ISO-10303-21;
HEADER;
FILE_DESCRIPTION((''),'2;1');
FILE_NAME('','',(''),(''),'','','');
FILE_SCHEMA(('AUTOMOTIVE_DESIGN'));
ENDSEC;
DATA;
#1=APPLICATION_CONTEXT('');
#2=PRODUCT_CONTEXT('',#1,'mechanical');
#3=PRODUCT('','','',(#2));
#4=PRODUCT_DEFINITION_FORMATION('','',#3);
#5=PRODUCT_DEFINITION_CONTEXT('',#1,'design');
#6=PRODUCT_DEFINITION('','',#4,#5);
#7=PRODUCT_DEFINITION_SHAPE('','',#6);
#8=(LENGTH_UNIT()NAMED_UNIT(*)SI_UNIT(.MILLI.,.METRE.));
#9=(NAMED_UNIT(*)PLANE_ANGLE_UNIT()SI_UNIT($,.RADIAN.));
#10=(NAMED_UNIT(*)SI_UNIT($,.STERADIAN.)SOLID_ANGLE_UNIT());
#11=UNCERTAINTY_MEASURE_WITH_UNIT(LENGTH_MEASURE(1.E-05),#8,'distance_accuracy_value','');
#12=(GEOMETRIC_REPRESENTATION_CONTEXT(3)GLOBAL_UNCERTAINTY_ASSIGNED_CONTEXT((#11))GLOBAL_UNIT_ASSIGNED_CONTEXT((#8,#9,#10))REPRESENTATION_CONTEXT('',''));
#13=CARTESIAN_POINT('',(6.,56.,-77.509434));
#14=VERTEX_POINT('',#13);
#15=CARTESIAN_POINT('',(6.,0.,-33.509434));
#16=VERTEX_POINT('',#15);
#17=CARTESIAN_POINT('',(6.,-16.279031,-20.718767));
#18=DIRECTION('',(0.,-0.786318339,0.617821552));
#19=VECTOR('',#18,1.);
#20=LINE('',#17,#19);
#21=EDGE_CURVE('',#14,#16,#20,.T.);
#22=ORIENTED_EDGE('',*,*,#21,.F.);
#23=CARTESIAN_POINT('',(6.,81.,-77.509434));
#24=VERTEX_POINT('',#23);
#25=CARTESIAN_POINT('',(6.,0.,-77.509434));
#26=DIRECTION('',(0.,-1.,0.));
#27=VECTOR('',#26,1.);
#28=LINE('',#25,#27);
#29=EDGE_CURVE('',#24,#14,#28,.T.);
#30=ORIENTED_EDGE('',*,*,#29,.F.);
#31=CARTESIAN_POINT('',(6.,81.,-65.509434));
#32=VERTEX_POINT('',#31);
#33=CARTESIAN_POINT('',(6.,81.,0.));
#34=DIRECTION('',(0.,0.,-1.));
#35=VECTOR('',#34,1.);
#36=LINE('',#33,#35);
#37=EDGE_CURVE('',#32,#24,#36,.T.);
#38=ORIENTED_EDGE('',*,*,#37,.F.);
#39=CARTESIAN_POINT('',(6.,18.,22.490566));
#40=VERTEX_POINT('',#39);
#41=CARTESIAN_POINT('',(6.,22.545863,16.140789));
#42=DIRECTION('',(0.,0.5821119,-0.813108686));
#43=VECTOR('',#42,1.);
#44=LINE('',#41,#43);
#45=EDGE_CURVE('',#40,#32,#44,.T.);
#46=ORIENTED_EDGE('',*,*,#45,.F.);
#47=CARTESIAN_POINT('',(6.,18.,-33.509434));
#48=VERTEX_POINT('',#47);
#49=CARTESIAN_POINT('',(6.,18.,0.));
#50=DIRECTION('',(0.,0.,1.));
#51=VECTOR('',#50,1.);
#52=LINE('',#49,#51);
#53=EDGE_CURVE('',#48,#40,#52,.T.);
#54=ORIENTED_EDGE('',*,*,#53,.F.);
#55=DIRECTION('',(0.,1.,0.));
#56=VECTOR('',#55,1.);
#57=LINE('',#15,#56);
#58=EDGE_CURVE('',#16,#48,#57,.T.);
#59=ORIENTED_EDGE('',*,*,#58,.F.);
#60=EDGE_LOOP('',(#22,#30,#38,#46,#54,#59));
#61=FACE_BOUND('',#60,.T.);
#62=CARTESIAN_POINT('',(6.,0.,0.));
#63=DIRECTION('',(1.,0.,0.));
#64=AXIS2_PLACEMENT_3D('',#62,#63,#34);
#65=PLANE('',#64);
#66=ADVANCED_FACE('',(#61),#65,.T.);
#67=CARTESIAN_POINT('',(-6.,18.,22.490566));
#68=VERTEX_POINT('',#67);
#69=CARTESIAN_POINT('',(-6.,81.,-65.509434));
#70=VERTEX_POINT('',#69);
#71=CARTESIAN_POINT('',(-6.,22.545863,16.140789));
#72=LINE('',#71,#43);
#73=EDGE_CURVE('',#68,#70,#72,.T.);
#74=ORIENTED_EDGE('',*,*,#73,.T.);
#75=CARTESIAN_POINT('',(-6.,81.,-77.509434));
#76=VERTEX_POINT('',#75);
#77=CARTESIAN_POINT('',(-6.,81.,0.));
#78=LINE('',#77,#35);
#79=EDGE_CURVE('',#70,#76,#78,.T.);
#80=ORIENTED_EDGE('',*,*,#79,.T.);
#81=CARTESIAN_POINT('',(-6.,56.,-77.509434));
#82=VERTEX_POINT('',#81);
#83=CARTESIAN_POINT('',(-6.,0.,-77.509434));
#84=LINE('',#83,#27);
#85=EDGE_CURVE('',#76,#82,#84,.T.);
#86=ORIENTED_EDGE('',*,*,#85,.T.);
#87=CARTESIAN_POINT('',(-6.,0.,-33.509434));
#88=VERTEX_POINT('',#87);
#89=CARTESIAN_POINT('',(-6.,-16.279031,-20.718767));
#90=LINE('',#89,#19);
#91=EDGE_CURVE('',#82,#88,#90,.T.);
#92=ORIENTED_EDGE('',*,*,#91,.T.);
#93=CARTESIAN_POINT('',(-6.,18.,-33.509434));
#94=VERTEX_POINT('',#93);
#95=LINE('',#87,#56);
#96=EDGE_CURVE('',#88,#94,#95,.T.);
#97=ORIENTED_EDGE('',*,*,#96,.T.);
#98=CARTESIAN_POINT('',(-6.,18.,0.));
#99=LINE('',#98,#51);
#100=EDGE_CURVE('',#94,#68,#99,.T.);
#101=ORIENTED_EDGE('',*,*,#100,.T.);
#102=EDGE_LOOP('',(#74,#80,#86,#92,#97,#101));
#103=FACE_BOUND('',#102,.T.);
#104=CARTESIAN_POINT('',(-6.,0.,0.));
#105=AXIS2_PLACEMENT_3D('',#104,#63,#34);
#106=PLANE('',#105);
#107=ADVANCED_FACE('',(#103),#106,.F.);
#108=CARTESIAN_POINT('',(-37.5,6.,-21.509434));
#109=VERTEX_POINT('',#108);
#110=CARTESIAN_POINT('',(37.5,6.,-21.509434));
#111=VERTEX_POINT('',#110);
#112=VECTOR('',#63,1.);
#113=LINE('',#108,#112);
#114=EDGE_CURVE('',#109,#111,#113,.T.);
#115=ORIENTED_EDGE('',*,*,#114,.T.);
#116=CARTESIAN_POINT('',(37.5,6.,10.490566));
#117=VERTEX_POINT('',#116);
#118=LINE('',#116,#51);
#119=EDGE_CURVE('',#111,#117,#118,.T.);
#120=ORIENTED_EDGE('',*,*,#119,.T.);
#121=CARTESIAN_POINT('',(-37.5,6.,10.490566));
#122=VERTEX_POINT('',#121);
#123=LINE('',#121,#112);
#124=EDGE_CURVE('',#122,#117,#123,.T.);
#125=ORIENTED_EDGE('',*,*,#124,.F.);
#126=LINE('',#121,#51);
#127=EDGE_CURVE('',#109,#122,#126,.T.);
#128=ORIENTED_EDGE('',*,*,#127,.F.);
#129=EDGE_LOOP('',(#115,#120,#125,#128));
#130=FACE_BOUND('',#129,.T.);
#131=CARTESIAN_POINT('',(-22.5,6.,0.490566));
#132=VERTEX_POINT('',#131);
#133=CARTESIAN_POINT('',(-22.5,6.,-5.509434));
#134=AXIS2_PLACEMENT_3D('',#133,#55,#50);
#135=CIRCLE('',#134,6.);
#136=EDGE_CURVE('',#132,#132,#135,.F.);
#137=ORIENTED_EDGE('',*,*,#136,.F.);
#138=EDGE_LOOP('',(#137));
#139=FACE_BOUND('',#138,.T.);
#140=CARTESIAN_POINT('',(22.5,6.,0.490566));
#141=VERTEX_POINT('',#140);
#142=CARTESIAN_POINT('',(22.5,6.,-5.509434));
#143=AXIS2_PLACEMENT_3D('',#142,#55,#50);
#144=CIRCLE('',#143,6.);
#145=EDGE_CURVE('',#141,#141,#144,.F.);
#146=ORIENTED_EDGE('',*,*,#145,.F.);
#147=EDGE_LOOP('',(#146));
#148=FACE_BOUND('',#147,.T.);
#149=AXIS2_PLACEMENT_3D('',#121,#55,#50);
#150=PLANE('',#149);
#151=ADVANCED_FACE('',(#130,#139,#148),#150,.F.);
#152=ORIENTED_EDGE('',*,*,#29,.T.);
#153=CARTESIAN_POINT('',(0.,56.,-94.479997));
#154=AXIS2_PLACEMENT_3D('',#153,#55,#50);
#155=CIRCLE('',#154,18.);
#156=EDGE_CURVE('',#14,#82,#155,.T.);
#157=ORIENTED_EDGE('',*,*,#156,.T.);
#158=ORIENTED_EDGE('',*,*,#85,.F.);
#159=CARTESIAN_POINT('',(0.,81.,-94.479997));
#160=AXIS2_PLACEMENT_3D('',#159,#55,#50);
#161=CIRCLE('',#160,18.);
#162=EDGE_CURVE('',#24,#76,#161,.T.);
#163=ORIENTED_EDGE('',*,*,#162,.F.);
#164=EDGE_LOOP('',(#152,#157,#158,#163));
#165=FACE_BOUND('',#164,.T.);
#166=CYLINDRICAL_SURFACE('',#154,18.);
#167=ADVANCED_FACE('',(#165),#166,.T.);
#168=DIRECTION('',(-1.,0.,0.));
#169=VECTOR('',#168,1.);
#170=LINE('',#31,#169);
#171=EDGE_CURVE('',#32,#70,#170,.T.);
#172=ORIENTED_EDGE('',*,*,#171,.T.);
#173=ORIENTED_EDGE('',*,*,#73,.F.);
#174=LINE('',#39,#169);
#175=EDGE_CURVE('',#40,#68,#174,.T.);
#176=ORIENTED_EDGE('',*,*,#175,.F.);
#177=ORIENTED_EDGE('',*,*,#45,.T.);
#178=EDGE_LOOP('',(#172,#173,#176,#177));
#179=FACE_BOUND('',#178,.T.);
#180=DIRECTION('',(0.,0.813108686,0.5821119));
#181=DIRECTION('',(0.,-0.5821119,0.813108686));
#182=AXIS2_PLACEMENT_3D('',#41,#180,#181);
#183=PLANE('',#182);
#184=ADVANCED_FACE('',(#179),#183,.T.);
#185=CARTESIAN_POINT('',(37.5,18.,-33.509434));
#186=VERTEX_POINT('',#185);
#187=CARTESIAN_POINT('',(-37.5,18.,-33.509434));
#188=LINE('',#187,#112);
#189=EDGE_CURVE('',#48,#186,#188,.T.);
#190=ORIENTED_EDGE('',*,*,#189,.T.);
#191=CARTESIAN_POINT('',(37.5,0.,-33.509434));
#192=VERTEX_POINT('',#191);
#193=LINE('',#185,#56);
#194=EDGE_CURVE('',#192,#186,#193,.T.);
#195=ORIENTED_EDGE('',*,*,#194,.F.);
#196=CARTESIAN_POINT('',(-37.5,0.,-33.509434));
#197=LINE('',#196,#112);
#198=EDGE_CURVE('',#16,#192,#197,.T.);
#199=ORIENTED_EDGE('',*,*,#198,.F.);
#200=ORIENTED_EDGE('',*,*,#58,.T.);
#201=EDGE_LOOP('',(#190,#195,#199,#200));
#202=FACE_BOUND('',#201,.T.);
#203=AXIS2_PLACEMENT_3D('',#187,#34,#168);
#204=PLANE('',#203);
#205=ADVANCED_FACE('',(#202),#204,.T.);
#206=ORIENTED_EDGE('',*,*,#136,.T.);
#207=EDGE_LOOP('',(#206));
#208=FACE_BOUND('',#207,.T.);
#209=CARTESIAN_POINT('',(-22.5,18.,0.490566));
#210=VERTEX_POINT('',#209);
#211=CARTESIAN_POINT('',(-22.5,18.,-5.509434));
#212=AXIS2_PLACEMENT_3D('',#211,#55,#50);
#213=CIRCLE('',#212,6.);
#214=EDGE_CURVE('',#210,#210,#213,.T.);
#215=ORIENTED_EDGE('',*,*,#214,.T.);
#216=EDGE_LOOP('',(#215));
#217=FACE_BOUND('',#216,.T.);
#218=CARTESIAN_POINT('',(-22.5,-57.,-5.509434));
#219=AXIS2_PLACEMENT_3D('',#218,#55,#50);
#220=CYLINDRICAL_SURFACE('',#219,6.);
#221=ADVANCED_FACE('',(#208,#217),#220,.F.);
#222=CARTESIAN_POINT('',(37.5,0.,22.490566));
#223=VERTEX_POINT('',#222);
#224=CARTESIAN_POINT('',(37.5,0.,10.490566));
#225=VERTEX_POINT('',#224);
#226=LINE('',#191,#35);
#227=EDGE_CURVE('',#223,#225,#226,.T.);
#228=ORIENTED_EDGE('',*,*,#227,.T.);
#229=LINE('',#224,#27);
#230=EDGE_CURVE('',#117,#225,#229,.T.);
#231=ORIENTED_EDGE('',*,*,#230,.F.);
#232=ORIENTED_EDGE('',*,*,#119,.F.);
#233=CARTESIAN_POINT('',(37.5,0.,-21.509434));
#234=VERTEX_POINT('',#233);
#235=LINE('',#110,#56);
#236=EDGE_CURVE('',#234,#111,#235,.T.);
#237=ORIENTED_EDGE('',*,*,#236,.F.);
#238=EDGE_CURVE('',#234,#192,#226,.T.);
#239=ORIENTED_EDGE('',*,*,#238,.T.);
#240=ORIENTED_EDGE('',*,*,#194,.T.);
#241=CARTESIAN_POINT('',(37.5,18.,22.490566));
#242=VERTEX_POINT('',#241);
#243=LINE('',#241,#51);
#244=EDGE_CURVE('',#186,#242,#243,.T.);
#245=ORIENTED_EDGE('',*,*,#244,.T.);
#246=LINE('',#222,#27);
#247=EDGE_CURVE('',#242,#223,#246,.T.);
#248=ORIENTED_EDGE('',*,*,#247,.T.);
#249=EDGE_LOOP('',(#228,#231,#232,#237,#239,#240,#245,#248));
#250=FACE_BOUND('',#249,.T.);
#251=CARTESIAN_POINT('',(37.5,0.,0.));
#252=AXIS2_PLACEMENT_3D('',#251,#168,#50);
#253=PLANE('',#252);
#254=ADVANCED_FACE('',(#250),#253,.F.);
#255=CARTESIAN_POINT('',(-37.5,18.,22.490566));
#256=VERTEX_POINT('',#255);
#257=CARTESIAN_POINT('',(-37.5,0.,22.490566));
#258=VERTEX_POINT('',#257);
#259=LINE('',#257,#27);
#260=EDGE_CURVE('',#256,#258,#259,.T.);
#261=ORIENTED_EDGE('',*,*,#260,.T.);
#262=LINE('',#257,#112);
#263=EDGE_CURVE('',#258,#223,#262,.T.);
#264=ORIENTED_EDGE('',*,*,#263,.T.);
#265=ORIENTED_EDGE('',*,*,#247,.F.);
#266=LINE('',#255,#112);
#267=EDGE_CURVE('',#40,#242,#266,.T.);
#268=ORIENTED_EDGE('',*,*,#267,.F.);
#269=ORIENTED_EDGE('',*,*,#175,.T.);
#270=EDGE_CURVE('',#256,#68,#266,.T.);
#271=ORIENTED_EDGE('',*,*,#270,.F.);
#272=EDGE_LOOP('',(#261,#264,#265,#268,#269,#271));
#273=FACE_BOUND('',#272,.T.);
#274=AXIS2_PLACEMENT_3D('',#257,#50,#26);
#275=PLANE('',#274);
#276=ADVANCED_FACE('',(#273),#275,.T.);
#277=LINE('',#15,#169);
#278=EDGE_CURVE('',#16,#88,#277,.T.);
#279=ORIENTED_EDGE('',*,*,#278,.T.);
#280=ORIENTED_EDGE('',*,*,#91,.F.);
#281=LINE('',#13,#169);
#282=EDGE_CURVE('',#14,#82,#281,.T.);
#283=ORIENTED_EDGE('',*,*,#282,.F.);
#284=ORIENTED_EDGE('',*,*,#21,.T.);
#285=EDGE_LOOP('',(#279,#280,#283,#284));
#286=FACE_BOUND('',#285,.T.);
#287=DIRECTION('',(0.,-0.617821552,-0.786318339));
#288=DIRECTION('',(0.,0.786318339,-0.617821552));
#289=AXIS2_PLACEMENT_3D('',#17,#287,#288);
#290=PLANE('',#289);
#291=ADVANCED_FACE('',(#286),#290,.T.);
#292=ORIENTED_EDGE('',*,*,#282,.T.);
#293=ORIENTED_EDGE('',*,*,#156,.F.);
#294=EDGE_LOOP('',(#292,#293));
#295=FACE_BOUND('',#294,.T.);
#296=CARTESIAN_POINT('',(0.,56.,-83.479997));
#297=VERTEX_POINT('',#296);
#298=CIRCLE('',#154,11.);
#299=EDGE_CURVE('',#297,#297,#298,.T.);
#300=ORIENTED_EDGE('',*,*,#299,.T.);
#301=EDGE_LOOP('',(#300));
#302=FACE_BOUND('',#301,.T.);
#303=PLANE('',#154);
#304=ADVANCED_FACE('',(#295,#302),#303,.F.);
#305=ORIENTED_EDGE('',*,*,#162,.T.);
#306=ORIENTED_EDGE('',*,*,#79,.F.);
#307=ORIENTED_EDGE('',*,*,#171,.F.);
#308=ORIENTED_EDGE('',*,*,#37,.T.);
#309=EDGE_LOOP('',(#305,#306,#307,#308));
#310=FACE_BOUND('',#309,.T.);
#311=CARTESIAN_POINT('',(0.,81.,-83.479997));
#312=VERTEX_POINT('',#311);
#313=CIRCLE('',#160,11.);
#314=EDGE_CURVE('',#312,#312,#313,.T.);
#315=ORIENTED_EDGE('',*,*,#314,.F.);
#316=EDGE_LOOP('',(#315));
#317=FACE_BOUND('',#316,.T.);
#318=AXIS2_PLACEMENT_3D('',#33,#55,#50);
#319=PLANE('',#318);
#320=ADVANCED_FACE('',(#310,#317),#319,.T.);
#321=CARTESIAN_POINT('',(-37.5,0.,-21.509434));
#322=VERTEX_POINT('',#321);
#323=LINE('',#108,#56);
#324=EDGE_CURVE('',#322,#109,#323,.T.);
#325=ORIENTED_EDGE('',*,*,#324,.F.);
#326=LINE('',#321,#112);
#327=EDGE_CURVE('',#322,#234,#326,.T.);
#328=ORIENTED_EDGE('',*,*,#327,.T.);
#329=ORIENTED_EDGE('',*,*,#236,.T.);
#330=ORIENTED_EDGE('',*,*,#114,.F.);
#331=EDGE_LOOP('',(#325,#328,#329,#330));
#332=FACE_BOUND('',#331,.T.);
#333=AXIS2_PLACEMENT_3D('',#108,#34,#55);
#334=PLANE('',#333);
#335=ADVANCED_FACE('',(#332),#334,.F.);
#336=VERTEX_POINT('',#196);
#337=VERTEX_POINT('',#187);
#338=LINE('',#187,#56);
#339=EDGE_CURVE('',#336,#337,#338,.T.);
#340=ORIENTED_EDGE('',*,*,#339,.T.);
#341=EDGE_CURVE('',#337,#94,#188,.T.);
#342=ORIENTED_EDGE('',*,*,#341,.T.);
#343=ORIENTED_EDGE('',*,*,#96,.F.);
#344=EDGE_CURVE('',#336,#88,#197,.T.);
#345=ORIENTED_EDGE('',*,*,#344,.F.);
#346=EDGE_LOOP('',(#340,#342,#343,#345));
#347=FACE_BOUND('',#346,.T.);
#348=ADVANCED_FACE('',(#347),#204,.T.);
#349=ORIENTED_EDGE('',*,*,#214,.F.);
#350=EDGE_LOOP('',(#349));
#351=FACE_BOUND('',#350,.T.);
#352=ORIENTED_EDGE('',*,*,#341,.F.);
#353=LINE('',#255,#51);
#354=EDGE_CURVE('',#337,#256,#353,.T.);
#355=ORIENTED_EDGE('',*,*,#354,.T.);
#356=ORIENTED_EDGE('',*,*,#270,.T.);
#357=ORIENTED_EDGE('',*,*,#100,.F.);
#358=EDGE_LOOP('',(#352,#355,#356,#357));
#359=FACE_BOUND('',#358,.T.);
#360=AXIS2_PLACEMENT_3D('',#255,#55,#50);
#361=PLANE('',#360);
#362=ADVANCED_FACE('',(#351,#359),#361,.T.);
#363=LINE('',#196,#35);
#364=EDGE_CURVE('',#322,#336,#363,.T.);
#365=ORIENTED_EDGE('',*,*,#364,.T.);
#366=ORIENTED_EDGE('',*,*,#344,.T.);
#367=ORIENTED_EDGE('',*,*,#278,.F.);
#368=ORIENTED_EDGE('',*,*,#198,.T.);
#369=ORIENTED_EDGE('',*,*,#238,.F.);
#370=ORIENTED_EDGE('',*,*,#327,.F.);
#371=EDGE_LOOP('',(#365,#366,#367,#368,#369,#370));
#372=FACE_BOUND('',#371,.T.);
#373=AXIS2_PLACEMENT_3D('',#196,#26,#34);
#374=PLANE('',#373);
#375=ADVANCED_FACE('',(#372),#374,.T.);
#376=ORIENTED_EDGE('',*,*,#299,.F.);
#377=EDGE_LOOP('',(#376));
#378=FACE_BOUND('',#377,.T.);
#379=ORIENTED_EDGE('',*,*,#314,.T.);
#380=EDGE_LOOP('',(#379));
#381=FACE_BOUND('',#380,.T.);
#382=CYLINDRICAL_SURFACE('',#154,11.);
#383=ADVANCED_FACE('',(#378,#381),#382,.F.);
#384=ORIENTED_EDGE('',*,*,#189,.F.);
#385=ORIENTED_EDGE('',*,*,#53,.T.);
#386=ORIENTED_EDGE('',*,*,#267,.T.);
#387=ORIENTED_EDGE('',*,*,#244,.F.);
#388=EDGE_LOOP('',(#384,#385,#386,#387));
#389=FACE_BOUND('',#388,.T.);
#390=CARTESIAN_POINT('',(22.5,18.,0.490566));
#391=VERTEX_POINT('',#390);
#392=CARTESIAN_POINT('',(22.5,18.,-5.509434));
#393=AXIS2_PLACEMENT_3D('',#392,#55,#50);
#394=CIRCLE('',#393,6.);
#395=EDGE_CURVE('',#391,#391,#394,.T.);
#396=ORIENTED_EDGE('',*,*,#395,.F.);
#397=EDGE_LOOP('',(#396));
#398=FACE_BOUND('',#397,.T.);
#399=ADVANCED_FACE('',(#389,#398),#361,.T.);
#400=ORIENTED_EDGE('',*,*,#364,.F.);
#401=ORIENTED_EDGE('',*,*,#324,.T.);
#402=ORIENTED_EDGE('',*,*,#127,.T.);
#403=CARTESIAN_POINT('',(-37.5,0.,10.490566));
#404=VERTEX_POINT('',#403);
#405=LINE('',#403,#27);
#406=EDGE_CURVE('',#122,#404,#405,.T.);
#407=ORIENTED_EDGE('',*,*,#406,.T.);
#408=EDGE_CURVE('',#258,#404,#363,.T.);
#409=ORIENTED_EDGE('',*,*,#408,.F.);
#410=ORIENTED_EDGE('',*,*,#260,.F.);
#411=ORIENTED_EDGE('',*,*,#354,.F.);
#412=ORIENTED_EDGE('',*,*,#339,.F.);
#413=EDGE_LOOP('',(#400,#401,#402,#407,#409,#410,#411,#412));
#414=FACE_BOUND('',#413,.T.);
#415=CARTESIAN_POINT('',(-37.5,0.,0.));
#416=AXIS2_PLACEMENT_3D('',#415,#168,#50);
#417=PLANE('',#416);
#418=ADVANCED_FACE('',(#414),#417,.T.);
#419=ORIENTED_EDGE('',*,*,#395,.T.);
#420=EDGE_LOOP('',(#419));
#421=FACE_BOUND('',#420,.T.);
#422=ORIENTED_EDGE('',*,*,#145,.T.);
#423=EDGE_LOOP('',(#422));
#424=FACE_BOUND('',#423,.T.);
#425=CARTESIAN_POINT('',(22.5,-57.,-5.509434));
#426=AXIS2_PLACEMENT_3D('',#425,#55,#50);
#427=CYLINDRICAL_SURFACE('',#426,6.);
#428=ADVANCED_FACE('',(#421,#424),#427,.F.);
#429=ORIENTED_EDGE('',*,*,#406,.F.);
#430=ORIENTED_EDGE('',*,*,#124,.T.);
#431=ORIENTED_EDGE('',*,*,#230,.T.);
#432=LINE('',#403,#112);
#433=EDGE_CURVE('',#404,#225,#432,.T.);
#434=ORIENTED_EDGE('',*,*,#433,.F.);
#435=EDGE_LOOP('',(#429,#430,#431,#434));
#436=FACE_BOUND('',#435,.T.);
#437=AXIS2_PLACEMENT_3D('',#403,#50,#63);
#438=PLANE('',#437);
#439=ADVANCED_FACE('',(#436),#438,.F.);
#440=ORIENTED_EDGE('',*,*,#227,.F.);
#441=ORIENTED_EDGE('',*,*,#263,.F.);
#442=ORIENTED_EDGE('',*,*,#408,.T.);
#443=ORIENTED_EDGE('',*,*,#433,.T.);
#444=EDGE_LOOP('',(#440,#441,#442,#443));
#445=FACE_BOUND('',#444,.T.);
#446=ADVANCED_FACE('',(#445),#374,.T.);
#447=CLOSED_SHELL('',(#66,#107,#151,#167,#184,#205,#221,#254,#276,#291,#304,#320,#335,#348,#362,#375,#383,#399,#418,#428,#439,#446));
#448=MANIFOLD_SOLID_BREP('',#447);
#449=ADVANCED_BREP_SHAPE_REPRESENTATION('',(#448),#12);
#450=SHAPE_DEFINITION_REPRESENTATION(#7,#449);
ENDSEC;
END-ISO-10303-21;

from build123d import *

# Parameters (mm, degrees)
SKETCH1_W           = 56
SKETCH1_H           = 18
BOSS_EXTRUDE1_DEPTH = 75
SKETCH2_R           = 6
CUT_EXTRUDE1_DEPTH  = 75
SKETCH3_W           = 32
SKETCH3_H           = 6
CUT_EXTRUDE2_DEPTH  = 75
BOSS_EXTRUDE5_DEPTH = 6
SKETCH23_R          = 18
SKETCH23_R_2        = 11
BOSS_EXTRUDE7_DEPTH = 25


with BuildPart() as part:
    # Sketch1 → Boss-Extrude1 (new body)
    with BuildSketch(Plane(origin=(0, 0, 0), x_dir=(0, 0, -1), z_dir=(1, 0, 0))):
        with Locations((5.509433962, 9)):
            Rectangle(SKETCH1_W, SKETCH1_H)
    extrude(amount=-BOSS_EXTRUDE1_DEPTH)

    # Sketch2 → Cut-Extrude1 (cut)
    with BuildSketch(Plane(origin=(0, 18, 0), x_dir=(1, 0, 0), z_dir=(0, 1, 0))):
        with Locations(Location((-15, 5.509433962, 0), (0, 0, 270))):
            Circle(SKETCH2_R)
        with Locations(Location((-60, 5.509433962, 0), (0, 0, 270))):
            Circle(SKETCH2_R)
    extrude(amount=-CUT_EXTRUDE1_DEPTH, mode=Mode.SUBTRACT)

    # Sketch3 → Cut-Extrude2 (cut)
    with BuildSketch(Plane(origin=(0, 0, 0), x_dir=(0, 0, -1), z_dir=(1, 0, 0))):
        with Locations((5.509433962, 3)):
            Rectangle(SKETCH3_W, SKETCH3_H)
    extrude(amount=-CUT_EXTRUDE2_DEPTH, mode=Mode.SUBTRACT)


with BuildPart() as part_1:
    # Body-Move/Copy1: moved
    add(part.part.moved(Location((37.5, 0, 0))))

    # Sketch4 → Boss-Extrude5 (add, symmetric)
    with BuildSketch(Plane(origin=(0, 0, 0), x_dir=(0, 0, -1), z_dir=(1, 0, 0))):
        Polygon((65.509433962, 81), (-22.490566038, 18), (33.509433962, 18), (33.509433962, 0), (77.509433962, 56), (77.509433962, 81), align=None)
    extrude(amount=BOSS_EXTRUDE5_DEPTH, both=True)

    # Sketch23 → Boss-Extrude7 (add)
    with BuildSketch(Plane(origin=(0, 81, 0), x_dir=(1, 0, 0), z_dir=(0, 1, 0))):
        with Locations((0, 94.479996711)):
            Circle(SKETCH23_R)
        with Locations(Location((0, 94.479996711, 0), (0, 0, 270))):
            Circle(SKETCH23_R_2, mode=Mode.SUBTRACT)
    extrude(amount=-BOSS_EXTRUDE7_DEPTH)


solid = part_1.part
